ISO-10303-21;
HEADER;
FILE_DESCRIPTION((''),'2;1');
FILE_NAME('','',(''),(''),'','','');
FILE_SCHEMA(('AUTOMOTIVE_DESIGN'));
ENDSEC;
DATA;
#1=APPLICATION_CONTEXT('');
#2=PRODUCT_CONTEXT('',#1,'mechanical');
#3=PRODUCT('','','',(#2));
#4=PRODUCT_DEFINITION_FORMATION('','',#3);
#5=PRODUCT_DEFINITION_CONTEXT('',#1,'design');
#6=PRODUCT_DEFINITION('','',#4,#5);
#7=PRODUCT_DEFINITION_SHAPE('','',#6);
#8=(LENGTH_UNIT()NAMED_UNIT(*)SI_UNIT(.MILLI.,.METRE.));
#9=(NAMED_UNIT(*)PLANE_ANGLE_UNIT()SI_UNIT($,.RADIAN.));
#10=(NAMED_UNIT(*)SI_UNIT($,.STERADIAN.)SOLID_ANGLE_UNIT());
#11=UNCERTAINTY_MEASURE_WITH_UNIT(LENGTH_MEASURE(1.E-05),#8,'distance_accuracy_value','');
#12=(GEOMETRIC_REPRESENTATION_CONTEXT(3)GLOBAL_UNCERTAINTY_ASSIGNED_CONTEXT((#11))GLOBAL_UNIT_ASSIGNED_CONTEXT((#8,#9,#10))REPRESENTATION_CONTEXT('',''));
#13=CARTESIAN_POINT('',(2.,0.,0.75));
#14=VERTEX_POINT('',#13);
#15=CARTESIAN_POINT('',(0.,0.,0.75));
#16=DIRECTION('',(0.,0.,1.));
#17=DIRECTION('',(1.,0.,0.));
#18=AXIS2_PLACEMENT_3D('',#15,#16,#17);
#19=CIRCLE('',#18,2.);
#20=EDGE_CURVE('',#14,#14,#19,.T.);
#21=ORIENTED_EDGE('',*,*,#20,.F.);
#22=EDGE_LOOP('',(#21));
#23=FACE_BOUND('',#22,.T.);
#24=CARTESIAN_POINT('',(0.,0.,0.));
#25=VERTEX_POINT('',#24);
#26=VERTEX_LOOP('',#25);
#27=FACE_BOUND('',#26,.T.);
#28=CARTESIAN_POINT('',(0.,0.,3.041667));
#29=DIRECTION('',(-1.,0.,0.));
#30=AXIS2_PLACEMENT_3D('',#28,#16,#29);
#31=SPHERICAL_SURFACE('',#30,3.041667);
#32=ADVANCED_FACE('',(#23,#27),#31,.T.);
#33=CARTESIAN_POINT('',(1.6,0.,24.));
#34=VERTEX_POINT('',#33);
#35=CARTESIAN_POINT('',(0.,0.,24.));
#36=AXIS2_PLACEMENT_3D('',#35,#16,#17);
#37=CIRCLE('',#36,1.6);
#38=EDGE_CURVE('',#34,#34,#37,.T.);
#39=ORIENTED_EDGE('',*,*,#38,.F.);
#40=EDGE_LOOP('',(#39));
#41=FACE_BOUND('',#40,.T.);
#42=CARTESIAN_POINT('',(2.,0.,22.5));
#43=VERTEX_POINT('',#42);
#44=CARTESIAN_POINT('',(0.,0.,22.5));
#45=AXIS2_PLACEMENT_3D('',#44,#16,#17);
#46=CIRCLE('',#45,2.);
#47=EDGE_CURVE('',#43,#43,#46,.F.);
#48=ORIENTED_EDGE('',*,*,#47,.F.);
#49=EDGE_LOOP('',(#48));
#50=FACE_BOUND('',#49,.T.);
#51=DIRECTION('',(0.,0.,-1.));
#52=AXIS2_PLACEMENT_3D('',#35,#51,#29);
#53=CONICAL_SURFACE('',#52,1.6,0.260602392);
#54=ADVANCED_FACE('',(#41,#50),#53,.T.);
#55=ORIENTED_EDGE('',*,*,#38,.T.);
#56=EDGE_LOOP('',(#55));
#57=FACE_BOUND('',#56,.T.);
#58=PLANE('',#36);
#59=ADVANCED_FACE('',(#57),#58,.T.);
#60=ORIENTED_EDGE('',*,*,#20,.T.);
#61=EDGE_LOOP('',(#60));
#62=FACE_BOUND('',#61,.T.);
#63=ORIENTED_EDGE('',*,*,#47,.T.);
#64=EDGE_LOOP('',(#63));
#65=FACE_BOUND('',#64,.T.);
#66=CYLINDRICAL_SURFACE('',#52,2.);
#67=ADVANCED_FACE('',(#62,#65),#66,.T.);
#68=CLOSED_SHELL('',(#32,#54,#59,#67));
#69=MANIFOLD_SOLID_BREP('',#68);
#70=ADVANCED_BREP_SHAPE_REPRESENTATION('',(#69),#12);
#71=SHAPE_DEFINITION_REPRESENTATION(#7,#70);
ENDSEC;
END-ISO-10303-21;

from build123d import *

# Parameters (mm, degrees)
CROQUIS1_R              = 2
SALIENTE_EXTRUIR1_DEPTH = 24
CHAFL_N1_SIZE           = 1.5
CHAFL_N1_SIZE2          = 0.4


with BuildPart() as part:
    # Croquis1 → Saliente-Extruir1 (new body)
    with BuildSketch(Plane.XY):
        Circle(CROQUIS1_R)
    extrude(amount=SALIENTE_EXTRUIR1_DEPTH)

    # Croquis2 → Cortar-Revolución3 (revolve, cut)
    with BuildSketch(Plane(origin=(0, 0, 0), x_dir=(1, 0, 0), z_dir=(0, 1, 0))):
        with BuildLine():
            Line((-2, -0.75), (-2, 0))
            Line((-2, 0), (-2, 0.2))
            Line((-2, 0.2), (0, 0.2))
            Line((0, 0.2), (0, 0))
            ThreePointArc((0, 0), (-1.068000468, -0.193665418), (-2, -0.75))
        make_face()
    revolve(axis=Axis((0, 0, 24), (0, 0, -1)), mode=Mode.SUBTRACT)

    # Chaflán1
    chafl_n1_edges = [part.edges().sort_by_distance(p)[0] for p in [
        (-2, 0, 24),
    ]]
    chafl_n1_side = [part.faces().sort_by_distance(p)[0] for p in [
        (-2, 0, 12.375),
    ]]
    chamfer(chafl_n1_edges, length=CHAFL_N1_SIZE, length2=CHAFL_N1_SIZE2, reference=chafl_n1_side[0])


solid = part.part
